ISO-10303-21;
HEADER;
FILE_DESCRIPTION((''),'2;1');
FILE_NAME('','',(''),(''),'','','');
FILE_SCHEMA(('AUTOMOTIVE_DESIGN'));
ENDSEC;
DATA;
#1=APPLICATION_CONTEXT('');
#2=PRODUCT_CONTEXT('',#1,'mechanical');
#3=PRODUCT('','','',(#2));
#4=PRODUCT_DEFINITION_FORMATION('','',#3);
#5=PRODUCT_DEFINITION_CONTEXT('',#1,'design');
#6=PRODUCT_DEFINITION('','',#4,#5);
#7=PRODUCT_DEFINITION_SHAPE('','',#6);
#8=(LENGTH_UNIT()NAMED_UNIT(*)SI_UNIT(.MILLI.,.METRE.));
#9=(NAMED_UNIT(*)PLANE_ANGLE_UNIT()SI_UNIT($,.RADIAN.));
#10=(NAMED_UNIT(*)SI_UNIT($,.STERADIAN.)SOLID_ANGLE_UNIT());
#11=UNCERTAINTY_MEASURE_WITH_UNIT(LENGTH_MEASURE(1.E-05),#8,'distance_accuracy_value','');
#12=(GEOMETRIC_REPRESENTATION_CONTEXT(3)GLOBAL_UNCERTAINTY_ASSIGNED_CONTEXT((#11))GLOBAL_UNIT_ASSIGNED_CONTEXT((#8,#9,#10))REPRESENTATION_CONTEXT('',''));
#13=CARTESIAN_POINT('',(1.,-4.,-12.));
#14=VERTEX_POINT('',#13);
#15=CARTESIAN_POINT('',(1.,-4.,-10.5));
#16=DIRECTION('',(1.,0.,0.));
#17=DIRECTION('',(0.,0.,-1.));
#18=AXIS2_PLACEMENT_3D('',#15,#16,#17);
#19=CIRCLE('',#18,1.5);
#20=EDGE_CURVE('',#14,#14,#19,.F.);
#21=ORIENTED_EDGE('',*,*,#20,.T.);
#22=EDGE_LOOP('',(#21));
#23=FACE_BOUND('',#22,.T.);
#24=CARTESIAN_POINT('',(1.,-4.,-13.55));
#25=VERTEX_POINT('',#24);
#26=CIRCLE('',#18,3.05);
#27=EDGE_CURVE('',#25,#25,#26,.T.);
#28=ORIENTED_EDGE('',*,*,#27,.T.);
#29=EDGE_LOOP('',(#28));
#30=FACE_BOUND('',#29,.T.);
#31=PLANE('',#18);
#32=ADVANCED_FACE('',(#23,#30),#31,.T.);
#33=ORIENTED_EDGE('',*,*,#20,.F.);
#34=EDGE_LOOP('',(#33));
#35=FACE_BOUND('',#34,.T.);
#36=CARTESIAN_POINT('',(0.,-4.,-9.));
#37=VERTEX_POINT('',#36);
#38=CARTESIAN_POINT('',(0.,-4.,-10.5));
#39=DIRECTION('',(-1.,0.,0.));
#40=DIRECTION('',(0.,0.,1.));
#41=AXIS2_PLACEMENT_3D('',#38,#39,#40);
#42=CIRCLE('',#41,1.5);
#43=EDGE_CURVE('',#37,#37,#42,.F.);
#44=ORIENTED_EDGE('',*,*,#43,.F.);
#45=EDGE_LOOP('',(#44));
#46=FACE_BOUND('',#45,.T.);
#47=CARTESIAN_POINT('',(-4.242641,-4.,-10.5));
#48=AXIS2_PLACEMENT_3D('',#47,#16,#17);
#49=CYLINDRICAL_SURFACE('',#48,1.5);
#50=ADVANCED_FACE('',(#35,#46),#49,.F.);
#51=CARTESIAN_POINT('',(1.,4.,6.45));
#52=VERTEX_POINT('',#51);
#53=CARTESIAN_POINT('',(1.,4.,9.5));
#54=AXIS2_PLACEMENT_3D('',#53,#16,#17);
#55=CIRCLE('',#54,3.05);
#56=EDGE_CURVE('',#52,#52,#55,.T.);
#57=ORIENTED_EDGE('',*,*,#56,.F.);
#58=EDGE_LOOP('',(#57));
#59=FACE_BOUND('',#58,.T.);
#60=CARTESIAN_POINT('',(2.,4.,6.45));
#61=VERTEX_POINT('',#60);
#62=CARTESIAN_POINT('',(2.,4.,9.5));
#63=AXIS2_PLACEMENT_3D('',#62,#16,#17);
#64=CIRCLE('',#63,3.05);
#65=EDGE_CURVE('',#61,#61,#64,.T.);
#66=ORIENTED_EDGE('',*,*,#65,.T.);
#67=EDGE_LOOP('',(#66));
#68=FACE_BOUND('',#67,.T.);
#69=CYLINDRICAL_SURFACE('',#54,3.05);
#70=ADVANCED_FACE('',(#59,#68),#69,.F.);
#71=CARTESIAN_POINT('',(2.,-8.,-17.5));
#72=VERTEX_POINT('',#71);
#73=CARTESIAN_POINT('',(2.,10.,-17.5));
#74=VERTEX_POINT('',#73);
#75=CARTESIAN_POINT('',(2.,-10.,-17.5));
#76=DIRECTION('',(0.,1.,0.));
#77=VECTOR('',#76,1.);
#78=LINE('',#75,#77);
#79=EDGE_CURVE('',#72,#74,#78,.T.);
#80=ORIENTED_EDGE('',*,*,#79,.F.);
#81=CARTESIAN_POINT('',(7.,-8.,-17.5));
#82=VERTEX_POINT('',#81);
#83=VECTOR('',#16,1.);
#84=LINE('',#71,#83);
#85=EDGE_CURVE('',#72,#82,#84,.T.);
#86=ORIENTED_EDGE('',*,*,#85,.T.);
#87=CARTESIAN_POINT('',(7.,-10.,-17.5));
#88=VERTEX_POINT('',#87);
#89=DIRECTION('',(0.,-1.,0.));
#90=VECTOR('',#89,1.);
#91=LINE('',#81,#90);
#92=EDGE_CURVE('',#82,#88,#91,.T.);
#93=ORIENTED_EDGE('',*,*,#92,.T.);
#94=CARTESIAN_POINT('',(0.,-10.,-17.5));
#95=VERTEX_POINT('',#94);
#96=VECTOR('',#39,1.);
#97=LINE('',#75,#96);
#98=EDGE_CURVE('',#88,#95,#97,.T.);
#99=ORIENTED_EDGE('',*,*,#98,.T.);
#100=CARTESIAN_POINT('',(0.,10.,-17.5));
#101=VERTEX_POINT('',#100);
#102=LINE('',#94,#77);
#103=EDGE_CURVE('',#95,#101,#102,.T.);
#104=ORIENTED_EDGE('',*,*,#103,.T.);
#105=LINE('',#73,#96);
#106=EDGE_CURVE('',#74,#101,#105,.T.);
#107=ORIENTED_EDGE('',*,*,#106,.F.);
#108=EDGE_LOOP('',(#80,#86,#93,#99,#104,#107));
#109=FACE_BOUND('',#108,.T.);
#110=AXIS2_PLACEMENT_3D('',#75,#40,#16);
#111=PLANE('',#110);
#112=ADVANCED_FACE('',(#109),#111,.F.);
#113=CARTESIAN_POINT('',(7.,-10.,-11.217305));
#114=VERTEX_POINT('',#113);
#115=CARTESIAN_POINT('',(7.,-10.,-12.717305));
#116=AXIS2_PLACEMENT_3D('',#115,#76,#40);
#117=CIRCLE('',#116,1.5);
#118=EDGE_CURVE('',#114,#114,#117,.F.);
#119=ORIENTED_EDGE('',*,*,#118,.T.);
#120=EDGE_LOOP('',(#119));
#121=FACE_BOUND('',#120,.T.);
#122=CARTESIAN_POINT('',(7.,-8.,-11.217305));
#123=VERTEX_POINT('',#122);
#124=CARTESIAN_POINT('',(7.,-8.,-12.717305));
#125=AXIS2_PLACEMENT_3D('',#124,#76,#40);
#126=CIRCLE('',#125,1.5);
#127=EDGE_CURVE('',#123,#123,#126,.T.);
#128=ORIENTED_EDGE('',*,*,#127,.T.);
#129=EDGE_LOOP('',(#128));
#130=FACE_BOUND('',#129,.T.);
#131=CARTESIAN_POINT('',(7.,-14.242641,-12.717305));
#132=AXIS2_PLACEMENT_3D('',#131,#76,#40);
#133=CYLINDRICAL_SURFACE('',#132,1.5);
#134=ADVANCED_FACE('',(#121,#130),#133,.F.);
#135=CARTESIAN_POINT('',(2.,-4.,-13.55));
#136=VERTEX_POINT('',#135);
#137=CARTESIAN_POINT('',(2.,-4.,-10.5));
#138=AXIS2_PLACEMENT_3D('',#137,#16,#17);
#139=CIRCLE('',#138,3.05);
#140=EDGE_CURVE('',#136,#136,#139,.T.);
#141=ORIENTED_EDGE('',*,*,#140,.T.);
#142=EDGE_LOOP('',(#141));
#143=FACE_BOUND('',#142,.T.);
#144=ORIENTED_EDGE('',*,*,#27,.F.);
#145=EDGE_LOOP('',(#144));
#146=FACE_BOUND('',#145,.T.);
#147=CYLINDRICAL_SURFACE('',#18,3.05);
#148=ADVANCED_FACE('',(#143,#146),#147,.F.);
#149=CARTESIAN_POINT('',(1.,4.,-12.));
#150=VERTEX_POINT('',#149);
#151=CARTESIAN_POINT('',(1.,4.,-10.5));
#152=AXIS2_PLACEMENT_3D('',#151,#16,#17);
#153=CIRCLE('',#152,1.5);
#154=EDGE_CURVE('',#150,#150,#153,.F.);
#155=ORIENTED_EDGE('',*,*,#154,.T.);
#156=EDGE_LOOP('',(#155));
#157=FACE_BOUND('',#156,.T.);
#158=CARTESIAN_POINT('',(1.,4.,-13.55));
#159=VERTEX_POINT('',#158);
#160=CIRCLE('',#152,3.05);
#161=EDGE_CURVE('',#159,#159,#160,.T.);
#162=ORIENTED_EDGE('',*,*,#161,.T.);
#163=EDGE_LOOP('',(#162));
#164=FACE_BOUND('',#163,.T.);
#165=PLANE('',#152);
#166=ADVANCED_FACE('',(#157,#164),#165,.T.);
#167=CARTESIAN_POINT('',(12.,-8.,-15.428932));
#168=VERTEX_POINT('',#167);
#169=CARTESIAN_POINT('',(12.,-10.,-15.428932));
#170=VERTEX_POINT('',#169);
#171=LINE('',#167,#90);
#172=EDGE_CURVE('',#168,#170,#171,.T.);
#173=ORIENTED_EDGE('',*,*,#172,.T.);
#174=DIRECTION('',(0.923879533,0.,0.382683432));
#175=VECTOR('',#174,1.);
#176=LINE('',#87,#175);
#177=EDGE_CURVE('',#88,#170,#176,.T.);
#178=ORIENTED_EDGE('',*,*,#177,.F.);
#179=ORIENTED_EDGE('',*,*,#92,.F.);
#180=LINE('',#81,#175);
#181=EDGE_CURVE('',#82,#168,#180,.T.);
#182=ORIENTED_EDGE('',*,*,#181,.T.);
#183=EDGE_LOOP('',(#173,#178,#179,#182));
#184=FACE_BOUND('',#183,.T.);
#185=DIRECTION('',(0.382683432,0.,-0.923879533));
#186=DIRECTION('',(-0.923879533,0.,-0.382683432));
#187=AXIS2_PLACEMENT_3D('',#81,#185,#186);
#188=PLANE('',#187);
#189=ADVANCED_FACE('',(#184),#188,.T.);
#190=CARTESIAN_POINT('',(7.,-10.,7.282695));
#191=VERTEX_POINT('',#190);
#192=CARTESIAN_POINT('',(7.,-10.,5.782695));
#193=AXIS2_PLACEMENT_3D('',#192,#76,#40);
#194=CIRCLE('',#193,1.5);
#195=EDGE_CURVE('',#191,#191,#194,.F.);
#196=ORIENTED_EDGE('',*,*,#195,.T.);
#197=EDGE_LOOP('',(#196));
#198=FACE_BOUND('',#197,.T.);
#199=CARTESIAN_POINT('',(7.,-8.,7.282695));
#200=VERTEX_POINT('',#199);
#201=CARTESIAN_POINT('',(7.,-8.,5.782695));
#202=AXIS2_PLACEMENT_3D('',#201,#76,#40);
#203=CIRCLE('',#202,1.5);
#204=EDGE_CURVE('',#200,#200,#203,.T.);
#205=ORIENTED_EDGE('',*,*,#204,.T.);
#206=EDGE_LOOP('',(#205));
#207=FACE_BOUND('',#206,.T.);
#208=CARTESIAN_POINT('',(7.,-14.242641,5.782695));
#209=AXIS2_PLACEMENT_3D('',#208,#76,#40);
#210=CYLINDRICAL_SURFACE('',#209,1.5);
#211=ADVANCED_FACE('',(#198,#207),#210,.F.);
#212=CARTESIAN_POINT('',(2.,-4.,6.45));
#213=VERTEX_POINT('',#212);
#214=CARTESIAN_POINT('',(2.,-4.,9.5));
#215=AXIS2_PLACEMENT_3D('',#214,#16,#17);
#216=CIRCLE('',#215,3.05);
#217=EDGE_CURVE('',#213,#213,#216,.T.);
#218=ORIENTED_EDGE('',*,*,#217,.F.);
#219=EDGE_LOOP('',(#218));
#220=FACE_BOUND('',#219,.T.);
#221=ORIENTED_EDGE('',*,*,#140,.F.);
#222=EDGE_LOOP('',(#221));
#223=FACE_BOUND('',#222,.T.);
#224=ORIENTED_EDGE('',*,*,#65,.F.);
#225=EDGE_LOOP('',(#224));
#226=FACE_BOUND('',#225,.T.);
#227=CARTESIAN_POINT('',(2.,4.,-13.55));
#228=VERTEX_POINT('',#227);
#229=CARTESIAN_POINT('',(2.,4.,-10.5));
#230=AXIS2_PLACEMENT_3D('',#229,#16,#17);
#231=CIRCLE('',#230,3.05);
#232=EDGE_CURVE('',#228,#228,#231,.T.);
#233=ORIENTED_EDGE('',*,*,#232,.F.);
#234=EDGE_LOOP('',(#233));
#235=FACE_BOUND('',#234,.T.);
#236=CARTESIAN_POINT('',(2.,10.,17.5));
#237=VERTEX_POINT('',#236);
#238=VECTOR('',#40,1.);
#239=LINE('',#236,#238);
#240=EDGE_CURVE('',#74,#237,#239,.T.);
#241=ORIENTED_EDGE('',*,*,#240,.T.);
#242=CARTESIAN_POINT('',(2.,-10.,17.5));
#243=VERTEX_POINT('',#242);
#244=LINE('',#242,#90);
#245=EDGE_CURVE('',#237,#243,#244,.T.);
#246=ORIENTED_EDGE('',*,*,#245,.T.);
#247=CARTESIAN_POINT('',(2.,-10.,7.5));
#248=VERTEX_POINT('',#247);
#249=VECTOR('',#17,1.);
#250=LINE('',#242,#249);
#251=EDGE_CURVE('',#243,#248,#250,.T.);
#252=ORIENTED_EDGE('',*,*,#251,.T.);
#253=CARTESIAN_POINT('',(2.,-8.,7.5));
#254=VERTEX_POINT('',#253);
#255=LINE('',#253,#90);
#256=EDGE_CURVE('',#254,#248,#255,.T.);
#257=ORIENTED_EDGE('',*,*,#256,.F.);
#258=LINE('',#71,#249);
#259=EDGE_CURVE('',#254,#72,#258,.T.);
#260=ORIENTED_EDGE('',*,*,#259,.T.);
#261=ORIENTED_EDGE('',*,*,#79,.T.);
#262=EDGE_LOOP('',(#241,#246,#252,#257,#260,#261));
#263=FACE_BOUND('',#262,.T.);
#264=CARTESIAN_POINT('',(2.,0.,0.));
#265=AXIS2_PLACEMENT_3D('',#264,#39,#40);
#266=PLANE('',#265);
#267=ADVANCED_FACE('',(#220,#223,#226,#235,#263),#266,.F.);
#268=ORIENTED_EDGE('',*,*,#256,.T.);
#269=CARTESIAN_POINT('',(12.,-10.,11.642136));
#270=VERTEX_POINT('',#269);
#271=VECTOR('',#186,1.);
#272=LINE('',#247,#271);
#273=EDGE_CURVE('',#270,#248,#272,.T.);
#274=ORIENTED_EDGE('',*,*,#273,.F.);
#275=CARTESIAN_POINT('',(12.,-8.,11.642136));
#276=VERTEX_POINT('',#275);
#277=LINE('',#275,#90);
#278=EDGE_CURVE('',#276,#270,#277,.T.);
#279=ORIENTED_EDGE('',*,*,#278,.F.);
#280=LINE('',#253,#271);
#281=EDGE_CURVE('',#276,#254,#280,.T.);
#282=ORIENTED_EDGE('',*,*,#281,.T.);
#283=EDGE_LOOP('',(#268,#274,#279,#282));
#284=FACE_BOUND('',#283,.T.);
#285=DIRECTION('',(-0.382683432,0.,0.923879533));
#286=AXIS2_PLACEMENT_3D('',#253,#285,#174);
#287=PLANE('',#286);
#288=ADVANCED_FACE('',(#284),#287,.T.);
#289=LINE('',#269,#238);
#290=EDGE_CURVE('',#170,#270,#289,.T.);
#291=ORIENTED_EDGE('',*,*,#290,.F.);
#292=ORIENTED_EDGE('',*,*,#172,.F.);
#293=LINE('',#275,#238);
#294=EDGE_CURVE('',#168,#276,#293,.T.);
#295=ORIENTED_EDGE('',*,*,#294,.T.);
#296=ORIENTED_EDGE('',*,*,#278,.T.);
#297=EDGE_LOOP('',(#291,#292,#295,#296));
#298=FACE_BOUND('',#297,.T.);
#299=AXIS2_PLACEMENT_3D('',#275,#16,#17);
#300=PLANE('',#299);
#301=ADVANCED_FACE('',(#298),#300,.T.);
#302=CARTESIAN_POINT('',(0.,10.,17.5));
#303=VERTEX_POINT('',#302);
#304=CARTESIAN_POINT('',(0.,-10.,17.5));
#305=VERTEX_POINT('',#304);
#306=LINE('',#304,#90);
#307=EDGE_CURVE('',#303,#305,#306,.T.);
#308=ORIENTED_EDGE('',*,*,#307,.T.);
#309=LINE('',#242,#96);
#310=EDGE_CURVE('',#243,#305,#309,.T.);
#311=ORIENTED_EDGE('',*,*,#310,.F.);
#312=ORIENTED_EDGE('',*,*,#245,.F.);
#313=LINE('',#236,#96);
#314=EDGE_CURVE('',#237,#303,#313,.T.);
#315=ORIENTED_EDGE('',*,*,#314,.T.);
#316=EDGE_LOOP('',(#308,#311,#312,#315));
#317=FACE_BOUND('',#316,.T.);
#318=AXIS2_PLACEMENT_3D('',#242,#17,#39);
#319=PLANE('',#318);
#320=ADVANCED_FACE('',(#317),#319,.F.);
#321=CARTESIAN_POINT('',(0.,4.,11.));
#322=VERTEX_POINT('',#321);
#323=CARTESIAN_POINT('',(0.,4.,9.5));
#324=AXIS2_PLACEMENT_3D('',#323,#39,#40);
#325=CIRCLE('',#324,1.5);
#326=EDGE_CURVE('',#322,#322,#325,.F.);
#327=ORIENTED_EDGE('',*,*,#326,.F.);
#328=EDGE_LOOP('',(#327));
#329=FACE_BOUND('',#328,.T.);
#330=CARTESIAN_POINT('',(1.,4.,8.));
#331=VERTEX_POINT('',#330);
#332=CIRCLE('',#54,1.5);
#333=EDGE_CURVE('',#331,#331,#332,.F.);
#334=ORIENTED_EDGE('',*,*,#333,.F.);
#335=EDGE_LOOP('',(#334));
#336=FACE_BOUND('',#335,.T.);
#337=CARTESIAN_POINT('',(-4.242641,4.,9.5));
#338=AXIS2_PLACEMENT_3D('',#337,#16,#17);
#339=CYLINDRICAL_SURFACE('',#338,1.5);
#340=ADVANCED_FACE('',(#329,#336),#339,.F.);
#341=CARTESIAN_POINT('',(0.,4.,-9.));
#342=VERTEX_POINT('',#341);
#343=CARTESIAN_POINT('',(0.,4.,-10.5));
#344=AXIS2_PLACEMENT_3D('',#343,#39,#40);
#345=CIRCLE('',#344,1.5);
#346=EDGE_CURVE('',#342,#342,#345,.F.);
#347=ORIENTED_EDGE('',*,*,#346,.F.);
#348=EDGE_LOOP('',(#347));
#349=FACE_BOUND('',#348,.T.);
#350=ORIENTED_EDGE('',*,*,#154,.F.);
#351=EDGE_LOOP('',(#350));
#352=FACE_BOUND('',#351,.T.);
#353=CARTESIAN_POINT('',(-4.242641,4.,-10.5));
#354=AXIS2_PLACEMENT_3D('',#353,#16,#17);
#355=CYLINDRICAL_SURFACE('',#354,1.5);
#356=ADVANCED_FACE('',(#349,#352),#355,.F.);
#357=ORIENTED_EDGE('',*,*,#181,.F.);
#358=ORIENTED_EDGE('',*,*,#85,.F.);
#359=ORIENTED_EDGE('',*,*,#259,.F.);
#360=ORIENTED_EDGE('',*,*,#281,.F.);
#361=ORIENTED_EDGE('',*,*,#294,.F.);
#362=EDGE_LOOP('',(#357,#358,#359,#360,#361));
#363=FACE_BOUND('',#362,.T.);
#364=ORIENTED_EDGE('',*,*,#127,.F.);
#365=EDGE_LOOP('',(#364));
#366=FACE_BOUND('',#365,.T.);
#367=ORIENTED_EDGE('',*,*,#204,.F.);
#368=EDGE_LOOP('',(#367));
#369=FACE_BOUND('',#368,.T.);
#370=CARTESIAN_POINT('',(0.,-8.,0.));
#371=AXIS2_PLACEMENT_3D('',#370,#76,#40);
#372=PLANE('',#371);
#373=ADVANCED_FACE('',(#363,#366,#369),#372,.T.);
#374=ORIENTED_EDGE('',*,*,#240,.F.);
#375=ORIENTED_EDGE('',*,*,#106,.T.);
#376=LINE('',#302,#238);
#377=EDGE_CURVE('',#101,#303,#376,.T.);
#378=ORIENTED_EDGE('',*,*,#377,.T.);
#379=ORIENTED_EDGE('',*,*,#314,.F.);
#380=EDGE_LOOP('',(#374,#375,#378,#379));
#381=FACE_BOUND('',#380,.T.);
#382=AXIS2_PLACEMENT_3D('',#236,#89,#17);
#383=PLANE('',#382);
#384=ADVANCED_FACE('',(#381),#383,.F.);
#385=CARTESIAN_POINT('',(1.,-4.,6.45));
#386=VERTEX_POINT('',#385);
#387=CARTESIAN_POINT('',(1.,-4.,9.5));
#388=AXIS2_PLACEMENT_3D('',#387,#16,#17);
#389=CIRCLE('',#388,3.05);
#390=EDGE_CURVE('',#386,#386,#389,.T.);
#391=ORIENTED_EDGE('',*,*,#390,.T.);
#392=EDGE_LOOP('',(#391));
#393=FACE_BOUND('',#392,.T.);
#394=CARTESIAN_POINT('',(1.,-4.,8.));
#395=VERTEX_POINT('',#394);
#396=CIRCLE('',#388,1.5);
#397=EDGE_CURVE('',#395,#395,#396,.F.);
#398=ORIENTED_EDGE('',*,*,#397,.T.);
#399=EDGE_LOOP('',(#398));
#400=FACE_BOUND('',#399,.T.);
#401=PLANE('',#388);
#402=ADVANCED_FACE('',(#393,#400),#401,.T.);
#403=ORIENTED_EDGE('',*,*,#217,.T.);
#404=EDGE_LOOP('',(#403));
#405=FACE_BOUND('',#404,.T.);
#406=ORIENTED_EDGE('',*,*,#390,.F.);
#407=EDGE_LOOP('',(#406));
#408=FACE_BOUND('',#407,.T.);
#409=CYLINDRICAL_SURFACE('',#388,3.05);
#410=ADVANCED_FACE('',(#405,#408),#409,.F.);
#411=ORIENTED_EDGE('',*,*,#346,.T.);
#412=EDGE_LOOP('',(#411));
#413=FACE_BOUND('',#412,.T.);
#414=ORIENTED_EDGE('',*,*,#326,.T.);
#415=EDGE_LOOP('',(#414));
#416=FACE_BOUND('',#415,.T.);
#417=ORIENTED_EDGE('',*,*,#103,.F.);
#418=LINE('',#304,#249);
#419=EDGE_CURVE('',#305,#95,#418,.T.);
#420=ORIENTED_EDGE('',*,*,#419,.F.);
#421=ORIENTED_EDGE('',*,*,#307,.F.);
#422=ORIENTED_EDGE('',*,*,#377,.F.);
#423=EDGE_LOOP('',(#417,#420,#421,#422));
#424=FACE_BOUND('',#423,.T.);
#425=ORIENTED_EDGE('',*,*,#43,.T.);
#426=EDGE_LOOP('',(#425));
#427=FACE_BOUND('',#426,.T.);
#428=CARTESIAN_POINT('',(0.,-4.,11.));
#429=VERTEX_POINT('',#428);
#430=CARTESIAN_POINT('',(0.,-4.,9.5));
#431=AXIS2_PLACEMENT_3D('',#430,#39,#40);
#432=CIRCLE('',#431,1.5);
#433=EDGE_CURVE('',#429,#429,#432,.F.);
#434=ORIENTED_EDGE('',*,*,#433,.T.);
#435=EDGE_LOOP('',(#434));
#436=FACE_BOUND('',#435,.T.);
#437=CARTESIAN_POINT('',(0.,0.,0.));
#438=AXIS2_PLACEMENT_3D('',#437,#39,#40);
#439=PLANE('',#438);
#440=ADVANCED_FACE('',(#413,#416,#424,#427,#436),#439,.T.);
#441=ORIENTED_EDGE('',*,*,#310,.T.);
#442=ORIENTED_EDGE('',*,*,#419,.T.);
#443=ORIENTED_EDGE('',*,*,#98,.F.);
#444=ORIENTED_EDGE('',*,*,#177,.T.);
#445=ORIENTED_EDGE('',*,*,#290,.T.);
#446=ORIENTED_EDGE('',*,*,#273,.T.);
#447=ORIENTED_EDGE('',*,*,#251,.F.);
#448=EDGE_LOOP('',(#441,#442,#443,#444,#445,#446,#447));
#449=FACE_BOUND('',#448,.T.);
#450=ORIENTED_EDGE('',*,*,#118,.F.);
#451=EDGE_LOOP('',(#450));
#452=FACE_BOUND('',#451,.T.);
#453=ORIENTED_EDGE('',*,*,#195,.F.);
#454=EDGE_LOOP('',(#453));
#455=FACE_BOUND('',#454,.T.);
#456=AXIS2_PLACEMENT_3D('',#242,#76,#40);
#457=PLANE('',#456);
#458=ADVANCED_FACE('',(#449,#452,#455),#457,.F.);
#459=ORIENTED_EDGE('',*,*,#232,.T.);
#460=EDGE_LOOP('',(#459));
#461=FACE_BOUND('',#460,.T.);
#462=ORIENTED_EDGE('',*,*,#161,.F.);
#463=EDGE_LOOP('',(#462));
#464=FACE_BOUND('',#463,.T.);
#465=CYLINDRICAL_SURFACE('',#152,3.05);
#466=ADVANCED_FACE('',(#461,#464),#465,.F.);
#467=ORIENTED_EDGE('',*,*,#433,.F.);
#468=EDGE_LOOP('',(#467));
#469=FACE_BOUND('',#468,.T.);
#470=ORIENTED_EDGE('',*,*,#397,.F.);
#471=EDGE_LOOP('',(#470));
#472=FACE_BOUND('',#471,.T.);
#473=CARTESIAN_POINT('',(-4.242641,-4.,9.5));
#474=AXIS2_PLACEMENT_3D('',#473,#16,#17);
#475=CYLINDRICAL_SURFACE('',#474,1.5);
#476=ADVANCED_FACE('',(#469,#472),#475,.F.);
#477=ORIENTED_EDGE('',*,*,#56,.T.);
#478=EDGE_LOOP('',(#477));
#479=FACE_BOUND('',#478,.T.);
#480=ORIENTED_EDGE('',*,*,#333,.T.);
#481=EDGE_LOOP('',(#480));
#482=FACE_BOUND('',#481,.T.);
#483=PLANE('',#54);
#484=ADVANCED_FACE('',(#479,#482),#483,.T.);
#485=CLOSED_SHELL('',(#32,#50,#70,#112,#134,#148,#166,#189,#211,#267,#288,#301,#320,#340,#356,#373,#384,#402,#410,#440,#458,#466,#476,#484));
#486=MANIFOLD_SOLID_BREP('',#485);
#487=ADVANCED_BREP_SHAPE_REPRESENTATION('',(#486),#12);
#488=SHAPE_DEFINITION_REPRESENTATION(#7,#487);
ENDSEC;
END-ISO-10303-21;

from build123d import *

# Parameters (mm, degrees)
SKETCH1_W           = 35
SKETCH1_H           = 20
BOSS_EXTRUDE1_DEPTH = 2
SKETCH3_R           = 1.5
CUT_EXTRUDE1_DEPTH  = 2
BOSS_EXTRUDE2_DEPTH = 2
SKETCH5_R           = 1.5
CUT_EXTRUDE2_DEPTH  = 2
SKETCH6_R           = 3.05
CUT_EXTRUDE3_DEPTH  = 1


with BuildPart() as part:
    # Sketch1 → Boss-Extrude1 (new body)
    with BuildSketch(Plane(origin=(0, 0, 0), x_dir=(0, 0, -1), z_dir=(1, 0, 0))):
        Rectangle(SKETCH1_W, SKETCH1_H)
    extrude(amount=BOSS_EXTRUDE1_DEPTH)

    # Sketch3 → Cut-Extrude1 (cut)
    with BuildSketch(Plane(origin=(2, 0, 0), x_dir=(0, 0, -1), z_dir=(1, 0, 0))):
        with Locations((10.5, 4)):
            Circle(SKETCH3_R)
        with Locations((10.5, -4)):
            Circle(SKETCH3_R)
        with Locations((-9.5, 4)):
            Circle(SKETCH3_R)
        with Locations((-9.5, -4)):
            Circle(SKETCH3_R)
    extrude(amount=-CUT_EXTRUDE1_DEPTH, mode=Mode.SUBTRACT)

    # Sketch4 → Boss-Extrude2 (add)
    with BuildSketch(Plane.XZ.offset(10)):
        Polygon((2, 7.5), (12, 11.642135624), (12, -15.428932188), (7, -17.5), (2, -17.5), align=None)
    extrude(amount=-BOSS_EXTRUDE2_DEPTH)

    # Sketch5 → Cut-Extrude2 (cut)
    with BuildSketch(Plane(origin=(0, -8, 0), x_dir=(1, 0, 0), z_dir=(0, 1, 0))):
        with Locations(Location((7, 12.717304889, 0), (0, 0, 270))):
            Circle(SKETCH5_R)
        with Locations(Location((7, -5.782695111, 0), (0, 0, 270))):
            Circle(SKETCH5_R)
    extrude(amount=-CUT_EXTRUDE2_DEPTH, mode=Mode.SUBTRACT)

    # Sketch6 → Cut-Extrude3 (cut)
    with BuildSketch(Plane(origin=(2, 0, 0), x_dir=(0, 0, -1), z_dir=(1, 0, 0))):
        with Locations((-9.5, 4)):
            Circle(SKETCH6_R)
        with Locations((-9.5, -4)):
            Circle(SKETCH6_R)
        with Locations((10.5, -4)):
            Circle(SKETCH6_R)
        with Locations((10.5, 4)):
            Circle(SKETCH6_R)
    extrude(amount=-CUT_EXTRUDE3_DEPTH, mode=Mode.SUBTRACT)


solid = part.part
